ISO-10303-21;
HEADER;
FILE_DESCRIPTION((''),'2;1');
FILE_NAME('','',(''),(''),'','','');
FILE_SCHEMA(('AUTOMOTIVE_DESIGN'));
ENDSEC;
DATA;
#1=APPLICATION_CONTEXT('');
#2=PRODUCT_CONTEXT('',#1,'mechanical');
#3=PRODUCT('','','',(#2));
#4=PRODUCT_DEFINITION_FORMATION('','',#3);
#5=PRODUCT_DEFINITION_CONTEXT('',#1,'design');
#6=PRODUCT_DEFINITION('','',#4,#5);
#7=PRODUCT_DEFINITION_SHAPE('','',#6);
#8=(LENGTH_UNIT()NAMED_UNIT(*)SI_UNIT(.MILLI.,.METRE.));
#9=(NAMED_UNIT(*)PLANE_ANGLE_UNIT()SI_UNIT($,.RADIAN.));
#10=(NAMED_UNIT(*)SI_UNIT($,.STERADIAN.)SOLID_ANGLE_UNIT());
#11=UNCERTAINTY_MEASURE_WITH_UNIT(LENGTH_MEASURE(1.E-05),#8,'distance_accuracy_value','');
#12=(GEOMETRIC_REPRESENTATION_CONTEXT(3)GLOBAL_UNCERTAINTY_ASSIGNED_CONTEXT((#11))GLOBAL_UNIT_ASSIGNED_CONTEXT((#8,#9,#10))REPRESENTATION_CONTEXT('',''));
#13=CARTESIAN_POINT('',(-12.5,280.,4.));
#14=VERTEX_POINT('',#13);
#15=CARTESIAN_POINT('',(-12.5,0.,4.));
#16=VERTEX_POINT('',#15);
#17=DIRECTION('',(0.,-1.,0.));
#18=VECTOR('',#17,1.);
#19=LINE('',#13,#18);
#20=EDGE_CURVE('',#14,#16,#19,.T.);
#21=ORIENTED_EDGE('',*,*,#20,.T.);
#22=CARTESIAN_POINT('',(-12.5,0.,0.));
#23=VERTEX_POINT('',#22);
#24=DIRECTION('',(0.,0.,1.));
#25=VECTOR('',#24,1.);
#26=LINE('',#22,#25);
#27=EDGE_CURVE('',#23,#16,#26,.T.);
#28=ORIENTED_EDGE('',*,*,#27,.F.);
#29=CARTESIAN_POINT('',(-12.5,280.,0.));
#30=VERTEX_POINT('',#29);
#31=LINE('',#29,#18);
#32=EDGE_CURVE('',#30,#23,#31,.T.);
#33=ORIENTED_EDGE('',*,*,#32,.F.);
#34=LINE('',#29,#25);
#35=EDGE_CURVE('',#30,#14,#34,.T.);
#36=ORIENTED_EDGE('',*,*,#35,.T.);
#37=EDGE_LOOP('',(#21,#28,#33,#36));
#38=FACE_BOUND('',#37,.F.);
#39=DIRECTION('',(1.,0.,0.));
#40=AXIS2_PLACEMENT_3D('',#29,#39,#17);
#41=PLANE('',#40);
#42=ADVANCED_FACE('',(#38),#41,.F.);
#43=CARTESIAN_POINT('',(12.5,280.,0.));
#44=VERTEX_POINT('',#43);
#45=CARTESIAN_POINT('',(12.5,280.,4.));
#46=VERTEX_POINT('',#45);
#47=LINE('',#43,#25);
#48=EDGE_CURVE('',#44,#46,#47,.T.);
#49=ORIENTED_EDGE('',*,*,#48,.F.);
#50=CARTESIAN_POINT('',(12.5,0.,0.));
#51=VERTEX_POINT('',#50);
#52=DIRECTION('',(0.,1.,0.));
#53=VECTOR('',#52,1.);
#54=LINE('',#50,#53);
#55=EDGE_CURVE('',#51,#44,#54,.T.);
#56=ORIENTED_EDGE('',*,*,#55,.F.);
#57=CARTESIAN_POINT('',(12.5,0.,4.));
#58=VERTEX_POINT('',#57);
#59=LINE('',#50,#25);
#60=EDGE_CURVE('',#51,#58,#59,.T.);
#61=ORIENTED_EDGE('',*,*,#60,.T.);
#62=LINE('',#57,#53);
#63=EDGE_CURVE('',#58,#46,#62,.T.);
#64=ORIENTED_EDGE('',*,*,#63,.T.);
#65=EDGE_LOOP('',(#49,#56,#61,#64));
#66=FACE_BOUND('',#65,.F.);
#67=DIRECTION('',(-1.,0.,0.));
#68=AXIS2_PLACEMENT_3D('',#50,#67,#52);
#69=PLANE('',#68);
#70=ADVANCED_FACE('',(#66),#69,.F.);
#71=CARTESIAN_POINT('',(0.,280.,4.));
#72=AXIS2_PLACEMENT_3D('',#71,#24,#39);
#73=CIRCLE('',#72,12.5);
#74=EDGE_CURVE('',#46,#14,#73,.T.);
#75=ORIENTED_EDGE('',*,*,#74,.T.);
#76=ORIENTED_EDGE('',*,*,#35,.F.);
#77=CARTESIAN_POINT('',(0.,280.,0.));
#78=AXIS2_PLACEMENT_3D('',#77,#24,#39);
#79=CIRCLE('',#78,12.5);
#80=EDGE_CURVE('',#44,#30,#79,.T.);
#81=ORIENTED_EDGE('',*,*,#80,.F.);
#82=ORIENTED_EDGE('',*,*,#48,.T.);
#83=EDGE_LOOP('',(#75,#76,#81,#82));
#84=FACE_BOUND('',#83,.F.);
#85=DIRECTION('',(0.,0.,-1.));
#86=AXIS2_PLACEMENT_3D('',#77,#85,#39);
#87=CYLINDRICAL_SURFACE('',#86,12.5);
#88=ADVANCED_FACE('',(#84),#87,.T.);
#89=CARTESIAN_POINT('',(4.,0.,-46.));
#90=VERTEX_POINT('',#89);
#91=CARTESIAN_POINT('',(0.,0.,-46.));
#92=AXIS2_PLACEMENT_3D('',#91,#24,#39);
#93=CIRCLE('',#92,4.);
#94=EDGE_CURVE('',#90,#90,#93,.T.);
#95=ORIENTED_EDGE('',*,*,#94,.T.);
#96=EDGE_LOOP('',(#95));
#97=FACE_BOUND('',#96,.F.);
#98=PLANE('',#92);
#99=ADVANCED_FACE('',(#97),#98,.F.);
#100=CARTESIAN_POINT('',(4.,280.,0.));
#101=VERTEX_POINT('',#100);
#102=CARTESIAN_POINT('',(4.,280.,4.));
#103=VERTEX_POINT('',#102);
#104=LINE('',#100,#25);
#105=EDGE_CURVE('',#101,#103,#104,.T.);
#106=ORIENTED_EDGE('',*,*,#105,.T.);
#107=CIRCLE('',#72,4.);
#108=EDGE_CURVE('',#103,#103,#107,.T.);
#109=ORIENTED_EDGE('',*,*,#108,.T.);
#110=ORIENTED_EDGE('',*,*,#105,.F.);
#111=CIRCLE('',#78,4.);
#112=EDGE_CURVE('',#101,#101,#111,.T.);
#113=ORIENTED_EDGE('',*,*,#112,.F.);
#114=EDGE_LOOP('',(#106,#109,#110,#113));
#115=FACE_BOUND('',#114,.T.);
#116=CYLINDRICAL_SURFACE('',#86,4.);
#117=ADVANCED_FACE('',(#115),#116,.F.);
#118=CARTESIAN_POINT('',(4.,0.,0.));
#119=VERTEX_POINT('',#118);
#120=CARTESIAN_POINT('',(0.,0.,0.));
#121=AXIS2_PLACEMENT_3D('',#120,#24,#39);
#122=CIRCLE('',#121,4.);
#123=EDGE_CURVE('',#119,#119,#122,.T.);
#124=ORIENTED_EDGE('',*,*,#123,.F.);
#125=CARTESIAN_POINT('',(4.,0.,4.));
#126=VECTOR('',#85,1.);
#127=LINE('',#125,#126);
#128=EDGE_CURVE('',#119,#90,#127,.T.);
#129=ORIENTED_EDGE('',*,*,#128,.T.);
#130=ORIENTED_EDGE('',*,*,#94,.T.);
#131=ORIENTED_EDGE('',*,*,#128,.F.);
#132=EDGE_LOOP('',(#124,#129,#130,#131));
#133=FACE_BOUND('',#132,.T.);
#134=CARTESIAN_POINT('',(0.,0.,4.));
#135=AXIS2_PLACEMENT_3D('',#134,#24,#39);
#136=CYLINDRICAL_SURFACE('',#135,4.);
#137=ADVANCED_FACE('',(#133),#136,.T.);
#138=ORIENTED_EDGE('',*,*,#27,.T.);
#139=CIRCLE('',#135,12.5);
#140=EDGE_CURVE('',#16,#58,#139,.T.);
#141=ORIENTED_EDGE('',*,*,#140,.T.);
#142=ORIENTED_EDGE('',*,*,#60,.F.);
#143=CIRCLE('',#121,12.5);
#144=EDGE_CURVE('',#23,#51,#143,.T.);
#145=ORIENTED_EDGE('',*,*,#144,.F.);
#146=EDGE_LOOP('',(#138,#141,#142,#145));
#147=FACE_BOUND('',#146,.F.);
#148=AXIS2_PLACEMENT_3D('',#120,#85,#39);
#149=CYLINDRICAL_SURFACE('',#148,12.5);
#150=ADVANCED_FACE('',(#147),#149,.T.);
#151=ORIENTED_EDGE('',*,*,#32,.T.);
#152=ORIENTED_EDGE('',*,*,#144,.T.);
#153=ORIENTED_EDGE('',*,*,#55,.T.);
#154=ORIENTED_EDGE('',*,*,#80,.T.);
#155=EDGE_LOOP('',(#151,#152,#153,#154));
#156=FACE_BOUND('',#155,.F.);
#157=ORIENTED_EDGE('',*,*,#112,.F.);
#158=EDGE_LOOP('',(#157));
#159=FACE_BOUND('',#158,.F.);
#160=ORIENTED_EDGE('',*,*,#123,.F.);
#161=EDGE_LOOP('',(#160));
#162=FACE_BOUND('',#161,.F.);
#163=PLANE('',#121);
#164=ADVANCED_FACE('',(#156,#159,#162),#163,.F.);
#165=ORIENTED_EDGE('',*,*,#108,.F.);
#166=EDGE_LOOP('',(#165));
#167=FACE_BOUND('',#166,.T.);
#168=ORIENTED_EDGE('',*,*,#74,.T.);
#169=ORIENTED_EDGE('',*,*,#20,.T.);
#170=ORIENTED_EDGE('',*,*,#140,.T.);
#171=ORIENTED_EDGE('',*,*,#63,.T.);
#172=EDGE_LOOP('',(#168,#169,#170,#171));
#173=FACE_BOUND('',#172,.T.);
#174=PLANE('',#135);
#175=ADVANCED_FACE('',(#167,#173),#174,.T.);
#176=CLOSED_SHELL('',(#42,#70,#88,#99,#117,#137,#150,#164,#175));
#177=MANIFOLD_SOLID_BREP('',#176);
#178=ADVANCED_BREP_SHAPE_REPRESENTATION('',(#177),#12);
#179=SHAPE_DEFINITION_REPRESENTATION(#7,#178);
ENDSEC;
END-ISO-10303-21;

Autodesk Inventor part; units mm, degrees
ref_plane "YZ Plane" through (0, 0, 0) normal (1, 0, 0) x (0, 1, 0)
ref_plane "XZ Plane" through (0, 0, 0) normal (0, 1, 0) x (-1, 0, 0)
ref_plane "XY Plane" through (0, 0, 0) normal (0, 0, 1) x (1, 0, 0)
sketch "Sketch1" plane through (0, 0, 0) normal (0, 0, 1) x (1, 0, 0)
  circle A0 centre (0, 0) radius 4
  circle A1 centre (0, 0) radius 12.5
  circle A2 centre (0, 280) radius 4
  circle A3 centre (0, 280) radius 12.5
  line L0 (12.5, 0) -> (12.5, 280)
  line L1 (-12.5, 280) -> (-12.5, 0)
  dimension "d0" = 8
  dimension "d1" = 25
  dimension "d2" = 280
  dimension "d3" = 0
  dimension "d4" = 8
  dimension "d5" = 25
extrude "Extrusion1" add sketch "Sketch1" along normal blind 4
sketch "Sketch2" plane through (0, 0, 4) normal (0, 0, 1) x (1, 0, 0)
  circle A0 centre (0, 0) radius 4 projected
extrude "Extrusion2" add sketch "Sketch2" against normal blind 50
equation "\"d4\" = d0"
equation "\"d5\" = d1"
properties part number "ramie cięgna traction loss"
